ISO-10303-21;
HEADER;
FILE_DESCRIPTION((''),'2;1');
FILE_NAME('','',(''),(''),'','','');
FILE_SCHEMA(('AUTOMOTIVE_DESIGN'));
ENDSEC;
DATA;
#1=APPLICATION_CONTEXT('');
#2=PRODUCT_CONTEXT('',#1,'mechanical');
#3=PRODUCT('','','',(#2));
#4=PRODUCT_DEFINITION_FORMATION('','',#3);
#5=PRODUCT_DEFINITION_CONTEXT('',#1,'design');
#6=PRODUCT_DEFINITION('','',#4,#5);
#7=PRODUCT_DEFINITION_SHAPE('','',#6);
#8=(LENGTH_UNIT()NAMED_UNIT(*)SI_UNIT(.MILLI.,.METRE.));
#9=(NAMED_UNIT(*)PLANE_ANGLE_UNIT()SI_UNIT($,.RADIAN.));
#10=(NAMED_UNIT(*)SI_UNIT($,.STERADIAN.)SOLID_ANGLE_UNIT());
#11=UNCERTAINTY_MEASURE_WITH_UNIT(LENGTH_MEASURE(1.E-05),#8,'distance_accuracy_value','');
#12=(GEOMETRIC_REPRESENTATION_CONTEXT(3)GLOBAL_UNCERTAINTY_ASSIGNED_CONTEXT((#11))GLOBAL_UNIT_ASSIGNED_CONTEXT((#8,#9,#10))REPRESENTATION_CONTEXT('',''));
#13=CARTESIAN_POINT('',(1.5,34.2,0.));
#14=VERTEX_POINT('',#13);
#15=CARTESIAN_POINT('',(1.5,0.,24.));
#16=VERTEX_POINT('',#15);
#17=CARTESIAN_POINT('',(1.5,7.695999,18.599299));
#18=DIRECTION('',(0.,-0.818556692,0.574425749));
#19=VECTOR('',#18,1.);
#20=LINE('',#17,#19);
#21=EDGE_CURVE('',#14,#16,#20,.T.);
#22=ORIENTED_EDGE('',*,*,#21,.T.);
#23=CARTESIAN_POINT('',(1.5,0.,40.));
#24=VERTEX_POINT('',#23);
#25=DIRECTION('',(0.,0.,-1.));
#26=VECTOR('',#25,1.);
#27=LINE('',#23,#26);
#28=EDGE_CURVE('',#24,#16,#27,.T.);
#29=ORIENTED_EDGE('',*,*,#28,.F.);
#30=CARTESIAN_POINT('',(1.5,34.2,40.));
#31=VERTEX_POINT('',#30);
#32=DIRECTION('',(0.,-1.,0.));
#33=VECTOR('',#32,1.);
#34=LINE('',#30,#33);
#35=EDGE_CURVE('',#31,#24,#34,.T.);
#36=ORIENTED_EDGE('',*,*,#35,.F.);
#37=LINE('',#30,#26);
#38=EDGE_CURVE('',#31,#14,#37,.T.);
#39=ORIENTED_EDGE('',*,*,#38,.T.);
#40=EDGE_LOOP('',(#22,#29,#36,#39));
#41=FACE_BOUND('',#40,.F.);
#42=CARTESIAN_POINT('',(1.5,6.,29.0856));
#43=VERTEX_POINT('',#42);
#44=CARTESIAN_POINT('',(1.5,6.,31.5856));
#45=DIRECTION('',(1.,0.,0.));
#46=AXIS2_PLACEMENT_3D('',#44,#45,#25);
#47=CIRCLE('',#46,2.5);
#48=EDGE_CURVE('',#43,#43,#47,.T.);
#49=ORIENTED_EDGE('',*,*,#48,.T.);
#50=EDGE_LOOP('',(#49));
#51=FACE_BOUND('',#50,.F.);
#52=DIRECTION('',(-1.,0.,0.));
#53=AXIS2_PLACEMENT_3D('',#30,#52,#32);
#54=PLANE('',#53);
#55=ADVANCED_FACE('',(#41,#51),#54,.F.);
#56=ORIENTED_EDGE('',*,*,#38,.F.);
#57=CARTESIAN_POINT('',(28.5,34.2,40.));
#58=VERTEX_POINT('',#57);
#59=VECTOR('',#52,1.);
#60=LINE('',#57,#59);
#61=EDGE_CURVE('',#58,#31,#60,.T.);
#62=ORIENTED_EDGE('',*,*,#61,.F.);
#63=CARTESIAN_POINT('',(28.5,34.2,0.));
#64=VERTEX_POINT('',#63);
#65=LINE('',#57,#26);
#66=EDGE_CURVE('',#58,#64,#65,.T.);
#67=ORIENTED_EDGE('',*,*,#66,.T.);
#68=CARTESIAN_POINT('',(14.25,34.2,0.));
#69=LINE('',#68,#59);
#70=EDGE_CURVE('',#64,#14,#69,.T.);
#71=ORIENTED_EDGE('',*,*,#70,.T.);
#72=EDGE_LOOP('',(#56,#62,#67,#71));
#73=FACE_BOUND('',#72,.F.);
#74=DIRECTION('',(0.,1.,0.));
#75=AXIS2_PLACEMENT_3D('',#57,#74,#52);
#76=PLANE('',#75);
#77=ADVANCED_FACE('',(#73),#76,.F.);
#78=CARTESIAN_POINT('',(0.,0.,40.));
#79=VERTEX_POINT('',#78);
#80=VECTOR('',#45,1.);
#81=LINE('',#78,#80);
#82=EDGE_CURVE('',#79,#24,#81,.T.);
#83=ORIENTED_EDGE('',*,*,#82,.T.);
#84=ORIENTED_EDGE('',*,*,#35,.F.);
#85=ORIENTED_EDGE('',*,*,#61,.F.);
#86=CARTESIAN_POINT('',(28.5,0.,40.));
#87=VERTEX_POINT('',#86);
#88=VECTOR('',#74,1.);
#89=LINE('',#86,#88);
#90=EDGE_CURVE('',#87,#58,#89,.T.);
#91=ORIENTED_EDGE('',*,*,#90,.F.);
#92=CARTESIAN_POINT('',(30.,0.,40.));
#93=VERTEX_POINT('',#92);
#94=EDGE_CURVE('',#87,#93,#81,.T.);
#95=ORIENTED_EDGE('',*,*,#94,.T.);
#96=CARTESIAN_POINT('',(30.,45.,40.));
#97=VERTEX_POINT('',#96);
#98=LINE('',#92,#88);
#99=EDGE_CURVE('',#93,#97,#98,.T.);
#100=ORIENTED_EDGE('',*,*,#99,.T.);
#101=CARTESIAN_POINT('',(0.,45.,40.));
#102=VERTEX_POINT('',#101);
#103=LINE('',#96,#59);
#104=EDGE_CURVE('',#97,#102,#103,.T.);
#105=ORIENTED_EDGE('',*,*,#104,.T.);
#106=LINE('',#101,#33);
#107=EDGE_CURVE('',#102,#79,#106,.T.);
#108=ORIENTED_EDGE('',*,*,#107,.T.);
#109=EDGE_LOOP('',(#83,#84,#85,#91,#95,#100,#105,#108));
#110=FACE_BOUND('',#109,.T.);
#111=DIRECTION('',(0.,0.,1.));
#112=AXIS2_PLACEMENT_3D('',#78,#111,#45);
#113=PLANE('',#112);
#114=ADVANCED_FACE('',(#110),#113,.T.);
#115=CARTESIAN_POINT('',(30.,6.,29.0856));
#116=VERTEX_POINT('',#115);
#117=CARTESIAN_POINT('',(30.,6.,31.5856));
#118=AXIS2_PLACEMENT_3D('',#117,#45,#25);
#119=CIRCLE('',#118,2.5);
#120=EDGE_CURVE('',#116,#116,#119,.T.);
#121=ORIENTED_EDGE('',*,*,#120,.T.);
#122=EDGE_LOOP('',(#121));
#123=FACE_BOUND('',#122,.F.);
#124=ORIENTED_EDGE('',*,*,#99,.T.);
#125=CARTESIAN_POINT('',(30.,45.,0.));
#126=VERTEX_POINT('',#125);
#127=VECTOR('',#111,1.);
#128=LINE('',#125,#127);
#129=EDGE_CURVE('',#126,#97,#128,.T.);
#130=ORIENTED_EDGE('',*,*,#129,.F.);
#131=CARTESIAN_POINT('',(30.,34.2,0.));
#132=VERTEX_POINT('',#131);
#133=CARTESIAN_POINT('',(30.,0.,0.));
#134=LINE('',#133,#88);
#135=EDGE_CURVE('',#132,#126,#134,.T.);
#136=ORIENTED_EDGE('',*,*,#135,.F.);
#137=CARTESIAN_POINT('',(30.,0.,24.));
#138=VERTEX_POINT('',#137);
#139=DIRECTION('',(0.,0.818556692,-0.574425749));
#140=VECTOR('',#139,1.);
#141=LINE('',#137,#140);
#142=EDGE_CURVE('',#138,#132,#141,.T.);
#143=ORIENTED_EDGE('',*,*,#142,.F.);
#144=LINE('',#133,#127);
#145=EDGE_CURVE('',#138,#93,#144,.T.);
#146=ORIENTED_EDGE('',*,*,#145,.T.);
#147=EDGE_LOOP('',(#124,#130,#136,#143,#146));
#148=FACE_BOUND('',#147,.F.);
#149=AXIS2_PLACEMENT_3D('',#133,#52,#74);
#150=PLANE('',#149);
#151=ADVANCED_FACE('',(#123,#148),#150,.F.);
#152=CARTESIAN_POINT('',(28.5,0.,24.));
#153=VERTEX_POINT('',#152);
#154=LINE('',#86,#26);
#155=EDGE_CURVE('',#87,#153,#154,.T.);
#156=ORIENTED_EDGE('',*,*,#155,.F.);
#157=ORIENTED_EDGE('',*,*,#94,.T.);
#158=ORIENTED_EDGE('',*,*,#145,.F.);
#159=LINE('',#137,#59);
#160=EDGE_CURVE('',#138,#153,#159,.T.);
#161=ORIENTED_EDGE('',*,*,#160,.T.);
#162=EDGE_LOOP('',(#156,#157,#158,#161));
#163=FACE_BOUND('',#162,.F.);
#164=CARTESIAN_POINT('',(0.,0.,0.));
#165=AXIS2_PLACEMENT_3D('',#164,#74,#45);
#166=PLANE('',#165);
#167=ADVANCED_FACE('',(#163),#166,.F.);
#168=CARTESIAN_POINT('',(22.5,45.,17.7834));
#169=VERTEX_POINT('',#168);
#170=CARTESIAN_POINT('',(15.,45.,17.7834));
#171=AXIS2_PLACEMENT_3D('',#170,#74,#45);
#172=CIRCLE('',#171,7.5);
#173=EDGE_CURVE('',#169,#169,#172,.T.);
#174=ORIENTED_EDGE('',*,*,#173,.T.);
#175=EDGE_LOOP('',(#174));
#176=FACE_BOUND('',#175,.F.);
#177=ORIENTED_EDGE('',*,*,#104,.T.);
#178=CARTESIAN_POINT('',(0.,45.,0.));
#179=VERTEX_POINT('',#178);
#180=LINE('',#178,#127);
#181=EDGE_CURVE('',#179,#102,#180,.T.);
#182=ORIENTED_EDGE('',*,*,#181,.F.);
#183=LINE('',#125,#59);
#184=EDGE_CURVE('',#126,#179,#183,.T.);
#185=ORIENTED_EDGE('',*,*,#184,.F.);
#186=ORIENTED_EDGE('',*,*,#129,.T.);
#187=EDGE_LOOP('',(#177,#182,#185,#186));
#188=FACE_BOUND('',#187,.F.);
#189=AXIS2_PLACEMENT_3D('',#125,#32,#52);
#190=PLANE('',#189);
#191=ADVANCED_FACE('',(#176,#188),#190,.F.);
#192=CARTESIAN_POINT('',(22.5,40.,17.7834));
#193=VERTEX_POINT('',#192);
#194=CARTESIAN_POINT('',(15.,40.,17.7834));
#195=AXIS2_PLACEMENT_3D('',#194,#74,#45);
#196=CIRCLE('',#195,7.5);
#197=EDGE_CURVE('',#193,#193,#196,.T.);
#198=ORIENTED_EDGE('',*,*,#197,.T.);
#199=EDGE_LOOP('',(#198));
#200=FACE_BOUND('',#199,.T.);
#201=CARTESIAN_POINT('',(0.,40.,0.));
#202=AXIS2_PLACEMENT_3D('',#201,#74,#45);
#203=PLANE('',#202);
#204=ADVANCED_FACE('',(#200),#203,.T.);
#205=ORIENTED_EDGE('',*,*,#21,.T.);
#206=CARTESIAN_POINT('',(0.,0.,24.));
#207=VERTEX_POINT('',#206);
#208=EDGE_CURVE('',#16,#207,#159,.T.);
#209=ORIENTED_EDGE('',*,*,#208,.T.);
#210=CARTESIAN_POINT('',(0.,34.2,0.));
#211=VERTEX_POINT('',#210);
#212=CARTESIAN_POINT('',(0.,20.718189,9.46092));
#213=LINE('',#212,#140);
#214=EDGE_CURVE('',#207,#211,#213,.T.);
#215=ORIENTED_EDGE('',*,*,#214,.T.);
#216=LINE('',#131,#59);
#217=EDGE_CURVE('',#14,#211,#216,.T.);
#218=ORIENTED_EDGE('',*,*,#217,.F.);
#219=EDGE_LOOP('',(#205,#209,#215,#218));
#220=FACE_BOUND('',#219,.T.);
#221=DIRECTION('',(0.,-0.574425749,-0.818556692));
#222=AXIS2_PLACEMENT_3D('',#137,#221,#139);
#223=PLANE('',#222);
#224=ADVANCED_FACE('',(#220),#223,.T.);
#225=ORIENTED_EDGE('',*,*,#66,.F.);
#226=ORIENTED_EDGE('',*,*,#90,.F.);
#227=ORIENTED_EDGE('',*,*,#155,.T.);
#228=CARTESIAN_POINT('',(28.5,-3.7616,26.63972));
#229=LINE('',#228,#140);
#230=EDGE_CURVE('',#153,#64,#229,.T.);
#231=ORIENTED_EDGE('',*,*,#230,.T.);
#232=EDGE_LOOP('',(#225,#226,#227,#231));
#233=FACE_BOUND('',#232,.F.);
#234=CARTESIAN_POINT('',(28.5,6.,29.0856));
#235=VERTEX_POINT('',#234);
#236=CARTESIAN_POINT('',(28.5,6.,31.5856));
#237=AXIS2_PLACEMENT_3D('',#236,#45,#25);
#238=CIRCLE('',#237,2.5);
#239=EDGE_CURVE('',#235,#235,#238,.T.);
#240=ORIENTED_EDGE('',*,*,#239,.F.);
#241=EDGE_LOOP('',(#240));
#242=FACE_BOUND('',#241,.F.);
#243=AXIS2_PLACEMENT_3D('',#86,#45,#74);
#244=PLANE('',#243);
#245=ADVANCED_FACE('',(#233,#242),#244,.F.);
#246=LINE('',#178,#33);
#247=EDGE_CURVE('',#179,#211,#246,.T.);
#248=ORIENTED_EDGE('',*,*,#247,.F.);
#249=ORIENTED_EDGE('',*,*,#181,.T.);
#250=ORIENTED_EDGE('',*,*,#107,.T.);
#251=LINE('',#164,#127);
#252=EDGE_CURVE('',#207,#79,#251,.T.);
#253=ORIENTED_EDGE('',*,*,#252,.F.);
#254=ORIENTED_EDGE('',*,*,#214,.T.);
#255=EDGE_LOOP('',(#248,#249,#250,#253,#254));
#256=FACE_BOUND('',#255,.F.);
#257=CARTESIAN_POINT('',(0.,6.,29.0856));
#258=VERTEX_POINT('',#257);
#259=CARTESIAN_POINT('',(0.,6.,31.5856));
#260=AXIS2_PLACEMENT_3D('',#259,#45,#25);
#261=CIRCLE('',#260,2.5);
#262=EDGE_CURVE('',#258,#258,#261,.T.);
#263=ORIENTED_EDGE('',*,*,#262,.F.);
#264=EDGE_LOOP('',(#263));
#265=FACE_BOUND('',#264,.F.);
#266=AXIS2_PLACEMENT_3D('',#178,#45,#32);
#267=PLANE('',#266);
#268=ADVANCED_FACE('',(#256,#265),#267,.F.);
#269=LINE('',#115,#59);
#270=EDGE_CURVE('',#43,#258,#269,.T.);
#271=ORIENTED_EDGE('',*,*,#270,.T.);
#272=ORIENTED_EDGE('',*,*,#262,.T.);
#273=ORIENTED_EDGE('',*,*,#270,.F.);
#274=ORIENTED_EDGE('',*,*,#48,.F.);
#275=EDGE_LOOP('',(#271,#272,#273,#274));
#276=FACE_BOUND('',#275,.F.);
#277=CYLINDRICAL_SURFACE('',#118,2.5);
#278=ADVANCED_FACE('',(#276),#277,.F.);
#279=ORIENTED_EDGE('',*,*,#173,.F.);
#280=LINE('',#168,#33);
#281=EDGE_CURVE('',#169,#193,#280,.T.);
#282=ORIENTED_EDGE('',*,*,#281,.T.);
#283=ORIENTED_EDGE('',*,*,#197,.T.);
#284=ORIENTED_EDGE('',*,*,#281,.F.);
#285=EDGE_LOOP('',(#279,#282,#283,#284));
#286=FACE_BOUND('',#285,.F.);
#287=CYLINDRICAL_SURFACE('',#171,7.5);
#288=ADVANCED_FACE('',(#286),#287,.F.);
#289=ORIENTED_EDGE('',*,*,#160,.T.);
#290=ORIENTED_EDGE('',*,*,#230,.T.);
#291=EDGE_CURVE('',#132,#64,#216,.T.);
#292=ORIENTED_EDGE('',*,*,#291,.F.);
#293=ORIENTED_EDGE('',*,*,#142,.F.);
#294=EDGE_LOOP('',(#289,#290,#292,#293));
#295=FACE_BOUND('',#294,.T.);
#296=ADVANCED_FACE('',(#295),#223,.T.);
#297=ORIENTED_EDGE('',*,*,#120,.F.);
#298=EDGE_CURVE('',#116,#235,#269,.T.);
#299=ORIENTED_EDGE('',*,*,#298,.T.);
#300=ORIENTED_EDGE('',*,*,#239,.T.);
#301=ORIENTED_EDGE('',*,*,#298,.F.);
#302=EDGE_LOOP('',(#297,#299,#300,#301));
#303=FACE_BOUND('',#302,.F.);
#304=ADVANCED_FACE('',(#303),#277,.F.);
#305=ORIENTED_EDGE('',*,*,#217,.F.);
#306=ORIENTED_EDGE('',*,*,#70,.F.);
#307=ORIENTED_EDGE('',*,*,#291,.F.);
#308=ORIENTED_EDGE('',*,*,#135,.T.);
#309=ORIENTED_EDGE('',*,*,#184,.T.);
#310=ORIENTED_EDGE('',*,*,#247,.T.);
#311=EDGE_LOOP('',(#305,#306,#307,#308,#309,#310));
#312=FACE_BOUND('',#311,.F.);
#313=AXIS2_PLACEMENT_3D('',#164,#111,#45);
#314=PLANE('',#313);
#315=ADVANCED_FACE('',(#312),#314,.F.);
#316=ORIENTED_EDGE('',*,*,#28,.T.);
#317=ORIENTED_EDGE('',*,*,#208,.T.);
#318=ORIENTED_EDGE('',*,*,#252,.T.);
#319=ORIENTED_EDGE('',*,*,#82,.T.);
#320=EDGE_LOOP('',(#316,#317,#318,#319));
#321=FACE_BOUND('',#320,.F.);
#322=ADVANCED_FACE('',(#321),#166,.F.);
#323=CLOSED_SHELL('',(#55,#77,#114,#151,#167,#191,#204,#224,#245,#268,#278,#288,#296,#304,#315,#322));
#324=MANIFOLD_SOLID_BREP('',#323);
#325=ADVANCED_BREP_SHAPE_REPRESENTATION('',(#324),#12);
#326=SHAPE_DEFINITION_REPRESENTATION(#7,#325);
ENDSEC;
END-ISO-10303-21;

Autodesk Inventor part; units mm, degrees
ref_plane "YZ Plane" through (0, 0, 0) normal (1, 0, 0) x (0, 1, 0)
ref_plane "XZ Plane" through (0, 0, 0) normal (0, 1, 0) x (-1, 0, 0)
ref_plane "XY Plane" through (0, 0, 0) normal (0, 0, 1) x (1, 0, 0)
sketch "Sketch1" plane through (0, 0, 0) normal (0, 0, 1) x (1, 0, 0)
  line L0 (0, 0) -> (30, 0)
  line L1 (30, 0) -> (30, 45)
  line L2 (30, 45) -> (0, 45)
  line L3 (0, 45) -> (0, 0)
  dimension "d0" = 30
  dimension "d1" = 45
extrude "Extrusion1" add sketch "Sketch1" along normal blind 40
sketch "Sketch2" plane through (0, 45, 0) normal (0, 1, 0) x (1, 0, 0)
  circle A0 centre (15, -17.7834) radius 7.5
  line L0 (30, -40) -> (0, -40) projected
  point P0 (0, 0)
  point P1 (15, -40)
  dimension "d4" = 15
  dimension "d5" = 22.2166
extrude "Extrusion2" cut sketch "Sketch2" against normal blind 5
sketch "Sketch3" plane through (30, 0, 0) normal (1, 0, 0) x (0, 0, -1)
  circle A0 centre (-31.5856, 6) radius 2.5
  line L0 (0, 0) -> (-40, 0) projected
  line L1 (-40, 0) -> (-40, 45) projected
  dimension "d8" = 5
  dimension "d9" = 6
  dimension "d10" = 8.4144
extrude "Extrusion3" cut sketch "Sketch3" against normal through all
sketch "Sketch4" plane through (0, 0, 40) normal (0, 0, 1) x (1, 0, 0)
  line L0 (0, 45) -> (0, 0) projected
  line L1 (30, 0) -> (30, 45) projected
  line L2 (0, 0) -> (30, 0) projected
  line L3 (1.5, 0) -> (28.5, 0)
  line L4 (28.5, 0) -> (28.5, 34.2)
  line L5 (28.5, 34.2) -> (1.5, 34.2)
  line L6 (1.5, 34.2) -> (1.5, 0)
  point P0 (15, 0)
  dimension "d13" = 27
  dimension "d14" = 34.2
extrude "Extrusion4" cut sketch "Sketch4" against normal through all
sketch "Sketch5" plane through (30, 0, 0) normal (1, 0, 0) x (0, 0, -1)
  line L0 (-24, 0) -> (0, 34.2)
  line L1 (0, 0) -> (0, 45) projected
  line L2 (0, 0) -> (-40, 0) projected
  point P0 (-40, 34.2)
  dimension "d17" = 24
extrude "Extrusion5" cut sketch "Sketch5" against normal through all
properties part number "link_b2" material "ABS Plastic"
